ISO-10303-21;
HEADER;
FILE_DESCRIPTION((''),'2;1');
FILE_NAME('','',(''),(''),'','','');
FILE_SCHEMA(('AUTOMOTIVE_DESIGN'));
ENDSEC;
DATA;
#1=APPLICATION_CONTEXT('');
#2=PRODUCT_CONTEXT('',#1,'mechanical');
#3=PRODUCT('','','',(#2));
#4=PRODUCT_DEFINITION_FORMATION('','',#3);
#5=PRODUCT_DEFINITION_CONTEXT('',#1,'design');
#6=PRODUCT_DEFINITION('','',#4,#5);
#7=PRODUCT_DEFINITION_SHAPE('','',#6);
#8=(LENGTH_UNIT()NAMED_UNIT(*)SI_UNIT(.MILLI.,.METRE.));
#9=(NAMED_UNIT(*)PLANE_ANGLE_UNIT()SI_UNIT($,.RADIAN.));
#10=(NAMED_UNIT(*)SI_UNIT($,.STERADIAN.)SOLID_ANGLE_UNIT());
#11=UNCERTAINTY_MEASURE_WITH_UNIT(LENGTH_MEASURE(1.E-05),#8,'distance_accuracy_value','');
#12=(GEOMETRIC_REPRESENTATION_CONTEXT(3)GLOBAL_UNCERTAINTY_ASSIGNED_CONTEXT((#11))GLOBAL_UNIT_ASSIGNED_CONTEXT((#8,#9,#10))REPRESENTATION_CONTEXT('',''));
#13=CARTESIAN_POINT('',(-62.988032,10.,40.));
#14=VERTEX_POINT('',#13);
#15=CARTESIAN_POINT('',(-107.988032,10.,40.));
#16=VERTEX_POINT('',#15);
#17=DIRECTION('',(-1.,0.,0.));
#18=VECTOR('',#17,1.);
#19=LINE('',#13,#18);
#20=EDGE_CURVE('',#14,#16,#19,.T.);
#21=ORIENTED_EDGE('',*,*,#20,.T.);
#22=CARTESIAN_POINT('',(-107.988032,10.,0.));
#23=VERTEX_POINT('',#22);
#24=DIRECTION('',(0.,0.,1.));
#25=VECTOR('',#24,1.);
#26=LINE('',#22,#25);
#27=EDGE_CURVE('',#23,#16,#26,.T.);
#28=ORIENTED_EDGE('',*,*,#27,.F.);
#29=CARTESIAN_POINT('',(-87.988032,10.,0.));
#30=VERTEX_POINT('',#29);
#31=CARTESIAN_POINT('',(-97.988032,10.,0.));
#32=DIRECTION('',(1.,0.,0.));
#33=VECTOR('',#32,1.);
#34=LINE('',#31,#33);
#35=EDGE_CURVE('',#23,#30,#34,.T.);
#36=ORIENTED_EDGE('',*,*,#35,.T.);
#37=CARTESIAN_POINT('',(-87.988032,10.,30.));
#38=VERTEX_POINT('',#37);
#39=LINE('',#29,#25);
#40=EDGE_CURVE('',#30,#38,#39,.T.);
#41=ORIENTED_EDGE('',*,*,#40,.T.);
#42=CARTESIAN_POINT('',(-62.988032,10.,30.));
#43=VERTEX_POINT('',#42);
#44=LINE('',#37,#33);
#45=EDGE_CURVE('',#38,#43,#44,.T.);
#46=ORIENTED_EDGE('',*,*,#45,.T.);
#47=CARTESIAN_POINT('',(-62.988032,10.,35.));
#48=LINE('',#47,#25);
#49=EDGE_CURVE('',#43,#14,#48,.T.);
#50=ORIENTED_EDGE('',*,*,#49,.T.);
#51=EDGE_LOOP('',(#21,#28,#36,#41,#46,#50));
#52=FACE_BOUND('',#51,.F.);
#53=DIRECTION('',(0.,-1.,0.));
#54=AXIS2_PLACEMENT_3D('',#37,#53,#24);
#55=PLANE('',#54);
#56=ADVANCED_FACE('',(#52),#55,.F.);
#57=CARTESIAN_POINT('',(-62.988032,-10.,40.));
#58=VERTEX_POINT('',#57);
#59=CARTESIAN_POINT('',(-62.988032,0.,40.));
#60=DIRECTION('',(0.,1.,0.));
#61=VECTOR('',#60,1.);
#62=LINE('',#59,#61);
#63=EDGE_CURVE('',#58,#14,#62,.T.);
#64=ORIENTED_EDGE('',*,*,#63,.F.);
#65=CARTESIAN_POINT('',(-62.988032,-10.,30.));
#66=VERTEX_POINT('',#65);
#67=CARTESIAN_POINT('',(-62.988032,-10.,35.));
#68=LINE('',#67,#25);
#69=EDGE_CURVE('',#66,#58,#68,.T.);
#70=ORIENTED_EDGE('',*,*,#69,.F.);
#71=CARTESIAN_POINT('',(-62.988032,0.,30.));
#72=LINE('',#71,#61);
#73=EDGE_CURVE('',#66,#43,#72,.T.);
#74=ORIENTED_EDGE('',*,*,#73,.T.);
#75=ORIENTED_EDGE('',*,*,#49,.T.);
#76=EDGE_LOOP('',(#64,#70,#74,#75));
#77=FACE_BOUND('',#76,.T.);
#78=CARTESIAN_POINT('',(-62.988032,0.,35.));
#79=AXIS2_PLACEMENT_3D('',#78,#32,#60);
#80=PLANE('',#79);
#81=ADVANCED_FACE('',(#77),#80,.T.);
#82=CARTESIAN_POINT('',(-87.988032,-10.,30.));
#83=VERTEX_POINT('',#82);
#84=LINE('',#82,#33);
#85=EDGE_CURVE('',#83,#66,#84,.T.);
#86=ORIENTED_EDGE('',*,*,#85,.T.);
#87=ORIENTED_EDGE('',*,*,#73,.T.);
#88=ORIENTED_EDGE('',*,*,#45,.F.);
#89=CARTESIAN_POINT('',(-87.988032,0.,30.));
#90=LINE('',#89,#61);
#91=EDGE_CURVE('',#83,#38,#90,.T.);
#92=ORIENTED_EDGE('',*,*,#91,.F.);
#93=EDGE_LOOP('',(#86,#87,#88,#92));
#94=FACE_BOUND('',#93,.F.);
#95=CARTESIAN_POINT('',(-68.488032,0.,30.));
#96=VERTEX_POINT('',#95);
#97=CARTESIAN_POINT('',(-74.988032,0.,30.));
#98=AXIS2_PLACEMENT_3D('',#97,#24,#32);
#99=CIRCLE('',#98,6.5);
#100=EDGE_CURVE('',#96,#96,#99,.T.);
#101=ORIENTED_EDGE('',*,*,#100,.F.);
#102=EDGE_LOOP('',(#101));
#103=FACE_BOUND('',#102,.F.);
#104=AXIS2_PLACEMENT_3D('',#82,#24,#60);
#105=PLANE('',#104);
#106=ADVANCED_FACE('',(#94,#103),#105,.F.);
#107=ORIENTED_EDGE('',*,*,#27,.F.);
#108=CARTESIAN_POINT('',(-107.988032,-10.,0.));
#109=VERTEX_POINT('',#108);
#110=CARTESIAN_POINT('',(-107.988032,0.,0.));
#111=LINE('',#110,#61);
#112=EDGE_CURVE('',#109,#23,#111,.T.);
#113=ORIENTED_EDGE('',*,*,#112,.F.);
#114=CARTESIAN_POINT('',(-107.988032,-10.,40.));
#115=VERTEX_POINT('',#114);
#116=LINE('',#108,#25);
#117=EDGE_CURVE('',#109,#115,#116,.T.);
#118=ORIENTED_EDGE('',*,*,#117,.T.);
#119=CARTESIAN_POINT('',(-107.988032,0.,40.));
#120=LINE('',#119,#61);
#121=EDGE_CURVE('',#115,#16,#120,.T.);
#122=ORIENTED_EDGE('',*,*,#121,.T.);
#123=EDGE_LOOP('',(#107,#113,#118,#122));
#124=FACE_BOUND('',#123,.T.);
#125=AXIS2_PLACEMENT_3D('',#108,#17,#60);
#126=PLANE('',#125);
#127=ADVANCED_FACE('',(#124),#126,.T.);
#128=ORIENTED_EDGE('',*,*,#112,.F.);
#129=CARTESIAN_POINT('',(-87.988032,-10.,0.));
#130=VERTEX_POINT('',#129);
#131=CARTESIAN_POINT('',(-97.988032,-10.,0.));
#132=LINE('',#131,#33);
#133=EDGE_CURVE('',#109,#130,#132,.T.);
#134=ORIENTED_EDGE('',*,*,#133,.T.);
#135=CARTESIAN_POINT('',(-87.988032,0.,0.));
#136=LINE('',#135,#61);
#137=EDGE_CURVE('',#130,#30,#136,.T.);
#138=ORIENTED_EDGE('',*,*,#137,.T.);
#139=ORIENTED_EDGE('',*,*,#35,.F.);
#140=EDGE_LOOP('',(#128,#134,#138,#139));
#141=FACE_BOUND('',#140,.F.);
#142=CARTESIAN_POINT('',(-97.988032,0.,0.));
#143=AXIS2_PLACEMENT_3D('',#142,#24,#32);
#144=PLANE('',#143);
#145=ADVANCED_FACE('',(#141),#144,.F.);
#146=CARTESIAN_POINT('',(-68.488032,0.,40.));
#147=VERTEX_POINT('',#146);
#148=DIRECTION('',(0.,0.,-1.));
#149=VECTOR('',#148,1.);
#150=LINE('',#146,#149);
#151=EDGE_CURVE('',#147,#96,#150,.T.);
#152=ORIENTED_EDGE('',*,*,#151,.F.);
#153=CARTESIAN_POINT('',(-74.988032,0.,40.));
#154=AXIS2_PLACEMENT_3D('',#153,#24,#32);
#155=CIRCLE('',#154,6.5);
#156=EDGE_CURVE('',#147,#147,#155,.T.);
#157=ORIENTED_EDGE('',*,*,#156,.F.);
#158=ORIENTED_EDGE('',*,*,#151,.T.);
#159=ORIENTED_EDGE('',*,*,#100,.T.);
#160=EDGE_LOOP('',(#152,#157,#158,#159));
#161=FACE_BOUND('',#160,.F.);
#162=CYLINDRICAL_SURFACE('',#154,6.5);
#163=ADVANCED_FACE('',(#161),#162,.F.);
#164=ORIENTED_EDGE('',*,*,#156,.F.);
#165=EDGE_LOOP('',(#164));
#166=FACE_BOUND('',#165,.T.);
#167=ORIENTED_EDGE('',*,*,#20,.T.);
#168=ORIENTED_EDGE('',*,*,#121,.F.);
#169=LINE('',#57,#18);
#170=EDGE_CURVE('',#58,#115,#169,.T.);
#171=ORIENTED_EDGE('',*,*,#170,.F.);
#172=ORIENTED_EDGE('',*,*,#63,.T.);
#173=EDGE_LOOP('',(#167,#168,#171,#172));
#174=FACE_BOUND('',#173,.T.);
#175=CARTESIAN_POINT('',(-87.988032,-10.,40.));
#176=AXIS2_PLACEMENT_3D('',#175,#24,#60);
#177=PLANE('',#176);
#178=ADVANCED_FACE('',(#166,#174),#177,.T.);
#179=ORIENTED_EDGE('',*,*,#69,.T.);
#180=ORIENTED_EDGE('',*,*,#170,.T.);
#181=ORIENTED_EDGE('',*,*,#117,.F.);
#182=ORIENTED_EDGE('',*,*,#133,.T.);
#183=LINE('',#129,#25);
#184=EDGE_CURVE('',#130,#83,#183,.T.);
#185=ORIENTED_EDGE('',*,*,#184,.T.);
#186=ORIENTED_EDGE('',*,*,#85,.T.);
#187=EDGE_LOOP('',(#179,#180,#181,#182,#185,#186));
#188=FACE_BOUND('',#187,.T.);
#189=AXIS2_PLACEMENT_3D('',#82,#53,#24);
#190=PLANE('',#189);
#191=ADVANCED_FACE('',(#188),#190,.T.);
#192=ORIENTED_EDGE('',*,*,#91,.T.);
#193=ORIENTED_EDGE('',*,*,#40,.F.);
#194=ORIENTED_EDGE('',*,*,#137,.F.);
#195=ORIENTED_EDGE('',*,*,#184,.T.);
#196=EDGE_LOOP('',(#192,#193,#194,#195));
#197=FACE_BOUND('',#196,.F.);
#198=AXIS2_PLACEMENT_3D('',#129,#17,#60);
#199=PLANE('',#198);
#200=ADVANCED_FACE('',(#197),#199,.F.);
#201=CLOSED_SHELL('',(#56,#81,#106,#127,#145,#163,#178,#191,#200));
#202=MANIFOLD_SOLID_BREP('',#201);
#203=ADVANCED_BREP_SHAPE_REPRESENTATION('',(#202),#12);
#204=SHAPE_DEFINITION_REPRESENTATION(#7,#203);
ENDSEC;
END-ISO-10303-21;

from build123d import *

# Parameters (mm, degrees)
F0_W     = 20
F0_H     = 20
F1_DEPTH = 40
F2_W     = 20
F2_H     = 10
F3_DEPTH = 25
F4_R     = 6.5
F5_DEPTH = 40.001


with BuildPart() as f1:
    # F0 (on Top) → F1 (new body)
    with BuildSketch(Plane.XY):
        with Locations((-97.988032, 0)):
            Rectangle(F0_W, F0_H)
    extrude(amount=F1_DEPTH)

    # F2 (on face) → F3 (join)
    with BuildSketch(Plane.YZ.offset(-87.988032)):
        with Locations((0, 35)):
            Rectangle(F2_W, F2_H)
    extrude(amount=F3_DEPTH)

    # F4 (on face) → F5 (cut, through all)
    with BuildSketch(Plane.XY.offset(40)):
        with Locations((-74.988032, 0)):
            Circle(F4_R)
    extrude(amount=-F5_DEPTH, mode=Mode.SUBTRACT)


solid = f1.part
